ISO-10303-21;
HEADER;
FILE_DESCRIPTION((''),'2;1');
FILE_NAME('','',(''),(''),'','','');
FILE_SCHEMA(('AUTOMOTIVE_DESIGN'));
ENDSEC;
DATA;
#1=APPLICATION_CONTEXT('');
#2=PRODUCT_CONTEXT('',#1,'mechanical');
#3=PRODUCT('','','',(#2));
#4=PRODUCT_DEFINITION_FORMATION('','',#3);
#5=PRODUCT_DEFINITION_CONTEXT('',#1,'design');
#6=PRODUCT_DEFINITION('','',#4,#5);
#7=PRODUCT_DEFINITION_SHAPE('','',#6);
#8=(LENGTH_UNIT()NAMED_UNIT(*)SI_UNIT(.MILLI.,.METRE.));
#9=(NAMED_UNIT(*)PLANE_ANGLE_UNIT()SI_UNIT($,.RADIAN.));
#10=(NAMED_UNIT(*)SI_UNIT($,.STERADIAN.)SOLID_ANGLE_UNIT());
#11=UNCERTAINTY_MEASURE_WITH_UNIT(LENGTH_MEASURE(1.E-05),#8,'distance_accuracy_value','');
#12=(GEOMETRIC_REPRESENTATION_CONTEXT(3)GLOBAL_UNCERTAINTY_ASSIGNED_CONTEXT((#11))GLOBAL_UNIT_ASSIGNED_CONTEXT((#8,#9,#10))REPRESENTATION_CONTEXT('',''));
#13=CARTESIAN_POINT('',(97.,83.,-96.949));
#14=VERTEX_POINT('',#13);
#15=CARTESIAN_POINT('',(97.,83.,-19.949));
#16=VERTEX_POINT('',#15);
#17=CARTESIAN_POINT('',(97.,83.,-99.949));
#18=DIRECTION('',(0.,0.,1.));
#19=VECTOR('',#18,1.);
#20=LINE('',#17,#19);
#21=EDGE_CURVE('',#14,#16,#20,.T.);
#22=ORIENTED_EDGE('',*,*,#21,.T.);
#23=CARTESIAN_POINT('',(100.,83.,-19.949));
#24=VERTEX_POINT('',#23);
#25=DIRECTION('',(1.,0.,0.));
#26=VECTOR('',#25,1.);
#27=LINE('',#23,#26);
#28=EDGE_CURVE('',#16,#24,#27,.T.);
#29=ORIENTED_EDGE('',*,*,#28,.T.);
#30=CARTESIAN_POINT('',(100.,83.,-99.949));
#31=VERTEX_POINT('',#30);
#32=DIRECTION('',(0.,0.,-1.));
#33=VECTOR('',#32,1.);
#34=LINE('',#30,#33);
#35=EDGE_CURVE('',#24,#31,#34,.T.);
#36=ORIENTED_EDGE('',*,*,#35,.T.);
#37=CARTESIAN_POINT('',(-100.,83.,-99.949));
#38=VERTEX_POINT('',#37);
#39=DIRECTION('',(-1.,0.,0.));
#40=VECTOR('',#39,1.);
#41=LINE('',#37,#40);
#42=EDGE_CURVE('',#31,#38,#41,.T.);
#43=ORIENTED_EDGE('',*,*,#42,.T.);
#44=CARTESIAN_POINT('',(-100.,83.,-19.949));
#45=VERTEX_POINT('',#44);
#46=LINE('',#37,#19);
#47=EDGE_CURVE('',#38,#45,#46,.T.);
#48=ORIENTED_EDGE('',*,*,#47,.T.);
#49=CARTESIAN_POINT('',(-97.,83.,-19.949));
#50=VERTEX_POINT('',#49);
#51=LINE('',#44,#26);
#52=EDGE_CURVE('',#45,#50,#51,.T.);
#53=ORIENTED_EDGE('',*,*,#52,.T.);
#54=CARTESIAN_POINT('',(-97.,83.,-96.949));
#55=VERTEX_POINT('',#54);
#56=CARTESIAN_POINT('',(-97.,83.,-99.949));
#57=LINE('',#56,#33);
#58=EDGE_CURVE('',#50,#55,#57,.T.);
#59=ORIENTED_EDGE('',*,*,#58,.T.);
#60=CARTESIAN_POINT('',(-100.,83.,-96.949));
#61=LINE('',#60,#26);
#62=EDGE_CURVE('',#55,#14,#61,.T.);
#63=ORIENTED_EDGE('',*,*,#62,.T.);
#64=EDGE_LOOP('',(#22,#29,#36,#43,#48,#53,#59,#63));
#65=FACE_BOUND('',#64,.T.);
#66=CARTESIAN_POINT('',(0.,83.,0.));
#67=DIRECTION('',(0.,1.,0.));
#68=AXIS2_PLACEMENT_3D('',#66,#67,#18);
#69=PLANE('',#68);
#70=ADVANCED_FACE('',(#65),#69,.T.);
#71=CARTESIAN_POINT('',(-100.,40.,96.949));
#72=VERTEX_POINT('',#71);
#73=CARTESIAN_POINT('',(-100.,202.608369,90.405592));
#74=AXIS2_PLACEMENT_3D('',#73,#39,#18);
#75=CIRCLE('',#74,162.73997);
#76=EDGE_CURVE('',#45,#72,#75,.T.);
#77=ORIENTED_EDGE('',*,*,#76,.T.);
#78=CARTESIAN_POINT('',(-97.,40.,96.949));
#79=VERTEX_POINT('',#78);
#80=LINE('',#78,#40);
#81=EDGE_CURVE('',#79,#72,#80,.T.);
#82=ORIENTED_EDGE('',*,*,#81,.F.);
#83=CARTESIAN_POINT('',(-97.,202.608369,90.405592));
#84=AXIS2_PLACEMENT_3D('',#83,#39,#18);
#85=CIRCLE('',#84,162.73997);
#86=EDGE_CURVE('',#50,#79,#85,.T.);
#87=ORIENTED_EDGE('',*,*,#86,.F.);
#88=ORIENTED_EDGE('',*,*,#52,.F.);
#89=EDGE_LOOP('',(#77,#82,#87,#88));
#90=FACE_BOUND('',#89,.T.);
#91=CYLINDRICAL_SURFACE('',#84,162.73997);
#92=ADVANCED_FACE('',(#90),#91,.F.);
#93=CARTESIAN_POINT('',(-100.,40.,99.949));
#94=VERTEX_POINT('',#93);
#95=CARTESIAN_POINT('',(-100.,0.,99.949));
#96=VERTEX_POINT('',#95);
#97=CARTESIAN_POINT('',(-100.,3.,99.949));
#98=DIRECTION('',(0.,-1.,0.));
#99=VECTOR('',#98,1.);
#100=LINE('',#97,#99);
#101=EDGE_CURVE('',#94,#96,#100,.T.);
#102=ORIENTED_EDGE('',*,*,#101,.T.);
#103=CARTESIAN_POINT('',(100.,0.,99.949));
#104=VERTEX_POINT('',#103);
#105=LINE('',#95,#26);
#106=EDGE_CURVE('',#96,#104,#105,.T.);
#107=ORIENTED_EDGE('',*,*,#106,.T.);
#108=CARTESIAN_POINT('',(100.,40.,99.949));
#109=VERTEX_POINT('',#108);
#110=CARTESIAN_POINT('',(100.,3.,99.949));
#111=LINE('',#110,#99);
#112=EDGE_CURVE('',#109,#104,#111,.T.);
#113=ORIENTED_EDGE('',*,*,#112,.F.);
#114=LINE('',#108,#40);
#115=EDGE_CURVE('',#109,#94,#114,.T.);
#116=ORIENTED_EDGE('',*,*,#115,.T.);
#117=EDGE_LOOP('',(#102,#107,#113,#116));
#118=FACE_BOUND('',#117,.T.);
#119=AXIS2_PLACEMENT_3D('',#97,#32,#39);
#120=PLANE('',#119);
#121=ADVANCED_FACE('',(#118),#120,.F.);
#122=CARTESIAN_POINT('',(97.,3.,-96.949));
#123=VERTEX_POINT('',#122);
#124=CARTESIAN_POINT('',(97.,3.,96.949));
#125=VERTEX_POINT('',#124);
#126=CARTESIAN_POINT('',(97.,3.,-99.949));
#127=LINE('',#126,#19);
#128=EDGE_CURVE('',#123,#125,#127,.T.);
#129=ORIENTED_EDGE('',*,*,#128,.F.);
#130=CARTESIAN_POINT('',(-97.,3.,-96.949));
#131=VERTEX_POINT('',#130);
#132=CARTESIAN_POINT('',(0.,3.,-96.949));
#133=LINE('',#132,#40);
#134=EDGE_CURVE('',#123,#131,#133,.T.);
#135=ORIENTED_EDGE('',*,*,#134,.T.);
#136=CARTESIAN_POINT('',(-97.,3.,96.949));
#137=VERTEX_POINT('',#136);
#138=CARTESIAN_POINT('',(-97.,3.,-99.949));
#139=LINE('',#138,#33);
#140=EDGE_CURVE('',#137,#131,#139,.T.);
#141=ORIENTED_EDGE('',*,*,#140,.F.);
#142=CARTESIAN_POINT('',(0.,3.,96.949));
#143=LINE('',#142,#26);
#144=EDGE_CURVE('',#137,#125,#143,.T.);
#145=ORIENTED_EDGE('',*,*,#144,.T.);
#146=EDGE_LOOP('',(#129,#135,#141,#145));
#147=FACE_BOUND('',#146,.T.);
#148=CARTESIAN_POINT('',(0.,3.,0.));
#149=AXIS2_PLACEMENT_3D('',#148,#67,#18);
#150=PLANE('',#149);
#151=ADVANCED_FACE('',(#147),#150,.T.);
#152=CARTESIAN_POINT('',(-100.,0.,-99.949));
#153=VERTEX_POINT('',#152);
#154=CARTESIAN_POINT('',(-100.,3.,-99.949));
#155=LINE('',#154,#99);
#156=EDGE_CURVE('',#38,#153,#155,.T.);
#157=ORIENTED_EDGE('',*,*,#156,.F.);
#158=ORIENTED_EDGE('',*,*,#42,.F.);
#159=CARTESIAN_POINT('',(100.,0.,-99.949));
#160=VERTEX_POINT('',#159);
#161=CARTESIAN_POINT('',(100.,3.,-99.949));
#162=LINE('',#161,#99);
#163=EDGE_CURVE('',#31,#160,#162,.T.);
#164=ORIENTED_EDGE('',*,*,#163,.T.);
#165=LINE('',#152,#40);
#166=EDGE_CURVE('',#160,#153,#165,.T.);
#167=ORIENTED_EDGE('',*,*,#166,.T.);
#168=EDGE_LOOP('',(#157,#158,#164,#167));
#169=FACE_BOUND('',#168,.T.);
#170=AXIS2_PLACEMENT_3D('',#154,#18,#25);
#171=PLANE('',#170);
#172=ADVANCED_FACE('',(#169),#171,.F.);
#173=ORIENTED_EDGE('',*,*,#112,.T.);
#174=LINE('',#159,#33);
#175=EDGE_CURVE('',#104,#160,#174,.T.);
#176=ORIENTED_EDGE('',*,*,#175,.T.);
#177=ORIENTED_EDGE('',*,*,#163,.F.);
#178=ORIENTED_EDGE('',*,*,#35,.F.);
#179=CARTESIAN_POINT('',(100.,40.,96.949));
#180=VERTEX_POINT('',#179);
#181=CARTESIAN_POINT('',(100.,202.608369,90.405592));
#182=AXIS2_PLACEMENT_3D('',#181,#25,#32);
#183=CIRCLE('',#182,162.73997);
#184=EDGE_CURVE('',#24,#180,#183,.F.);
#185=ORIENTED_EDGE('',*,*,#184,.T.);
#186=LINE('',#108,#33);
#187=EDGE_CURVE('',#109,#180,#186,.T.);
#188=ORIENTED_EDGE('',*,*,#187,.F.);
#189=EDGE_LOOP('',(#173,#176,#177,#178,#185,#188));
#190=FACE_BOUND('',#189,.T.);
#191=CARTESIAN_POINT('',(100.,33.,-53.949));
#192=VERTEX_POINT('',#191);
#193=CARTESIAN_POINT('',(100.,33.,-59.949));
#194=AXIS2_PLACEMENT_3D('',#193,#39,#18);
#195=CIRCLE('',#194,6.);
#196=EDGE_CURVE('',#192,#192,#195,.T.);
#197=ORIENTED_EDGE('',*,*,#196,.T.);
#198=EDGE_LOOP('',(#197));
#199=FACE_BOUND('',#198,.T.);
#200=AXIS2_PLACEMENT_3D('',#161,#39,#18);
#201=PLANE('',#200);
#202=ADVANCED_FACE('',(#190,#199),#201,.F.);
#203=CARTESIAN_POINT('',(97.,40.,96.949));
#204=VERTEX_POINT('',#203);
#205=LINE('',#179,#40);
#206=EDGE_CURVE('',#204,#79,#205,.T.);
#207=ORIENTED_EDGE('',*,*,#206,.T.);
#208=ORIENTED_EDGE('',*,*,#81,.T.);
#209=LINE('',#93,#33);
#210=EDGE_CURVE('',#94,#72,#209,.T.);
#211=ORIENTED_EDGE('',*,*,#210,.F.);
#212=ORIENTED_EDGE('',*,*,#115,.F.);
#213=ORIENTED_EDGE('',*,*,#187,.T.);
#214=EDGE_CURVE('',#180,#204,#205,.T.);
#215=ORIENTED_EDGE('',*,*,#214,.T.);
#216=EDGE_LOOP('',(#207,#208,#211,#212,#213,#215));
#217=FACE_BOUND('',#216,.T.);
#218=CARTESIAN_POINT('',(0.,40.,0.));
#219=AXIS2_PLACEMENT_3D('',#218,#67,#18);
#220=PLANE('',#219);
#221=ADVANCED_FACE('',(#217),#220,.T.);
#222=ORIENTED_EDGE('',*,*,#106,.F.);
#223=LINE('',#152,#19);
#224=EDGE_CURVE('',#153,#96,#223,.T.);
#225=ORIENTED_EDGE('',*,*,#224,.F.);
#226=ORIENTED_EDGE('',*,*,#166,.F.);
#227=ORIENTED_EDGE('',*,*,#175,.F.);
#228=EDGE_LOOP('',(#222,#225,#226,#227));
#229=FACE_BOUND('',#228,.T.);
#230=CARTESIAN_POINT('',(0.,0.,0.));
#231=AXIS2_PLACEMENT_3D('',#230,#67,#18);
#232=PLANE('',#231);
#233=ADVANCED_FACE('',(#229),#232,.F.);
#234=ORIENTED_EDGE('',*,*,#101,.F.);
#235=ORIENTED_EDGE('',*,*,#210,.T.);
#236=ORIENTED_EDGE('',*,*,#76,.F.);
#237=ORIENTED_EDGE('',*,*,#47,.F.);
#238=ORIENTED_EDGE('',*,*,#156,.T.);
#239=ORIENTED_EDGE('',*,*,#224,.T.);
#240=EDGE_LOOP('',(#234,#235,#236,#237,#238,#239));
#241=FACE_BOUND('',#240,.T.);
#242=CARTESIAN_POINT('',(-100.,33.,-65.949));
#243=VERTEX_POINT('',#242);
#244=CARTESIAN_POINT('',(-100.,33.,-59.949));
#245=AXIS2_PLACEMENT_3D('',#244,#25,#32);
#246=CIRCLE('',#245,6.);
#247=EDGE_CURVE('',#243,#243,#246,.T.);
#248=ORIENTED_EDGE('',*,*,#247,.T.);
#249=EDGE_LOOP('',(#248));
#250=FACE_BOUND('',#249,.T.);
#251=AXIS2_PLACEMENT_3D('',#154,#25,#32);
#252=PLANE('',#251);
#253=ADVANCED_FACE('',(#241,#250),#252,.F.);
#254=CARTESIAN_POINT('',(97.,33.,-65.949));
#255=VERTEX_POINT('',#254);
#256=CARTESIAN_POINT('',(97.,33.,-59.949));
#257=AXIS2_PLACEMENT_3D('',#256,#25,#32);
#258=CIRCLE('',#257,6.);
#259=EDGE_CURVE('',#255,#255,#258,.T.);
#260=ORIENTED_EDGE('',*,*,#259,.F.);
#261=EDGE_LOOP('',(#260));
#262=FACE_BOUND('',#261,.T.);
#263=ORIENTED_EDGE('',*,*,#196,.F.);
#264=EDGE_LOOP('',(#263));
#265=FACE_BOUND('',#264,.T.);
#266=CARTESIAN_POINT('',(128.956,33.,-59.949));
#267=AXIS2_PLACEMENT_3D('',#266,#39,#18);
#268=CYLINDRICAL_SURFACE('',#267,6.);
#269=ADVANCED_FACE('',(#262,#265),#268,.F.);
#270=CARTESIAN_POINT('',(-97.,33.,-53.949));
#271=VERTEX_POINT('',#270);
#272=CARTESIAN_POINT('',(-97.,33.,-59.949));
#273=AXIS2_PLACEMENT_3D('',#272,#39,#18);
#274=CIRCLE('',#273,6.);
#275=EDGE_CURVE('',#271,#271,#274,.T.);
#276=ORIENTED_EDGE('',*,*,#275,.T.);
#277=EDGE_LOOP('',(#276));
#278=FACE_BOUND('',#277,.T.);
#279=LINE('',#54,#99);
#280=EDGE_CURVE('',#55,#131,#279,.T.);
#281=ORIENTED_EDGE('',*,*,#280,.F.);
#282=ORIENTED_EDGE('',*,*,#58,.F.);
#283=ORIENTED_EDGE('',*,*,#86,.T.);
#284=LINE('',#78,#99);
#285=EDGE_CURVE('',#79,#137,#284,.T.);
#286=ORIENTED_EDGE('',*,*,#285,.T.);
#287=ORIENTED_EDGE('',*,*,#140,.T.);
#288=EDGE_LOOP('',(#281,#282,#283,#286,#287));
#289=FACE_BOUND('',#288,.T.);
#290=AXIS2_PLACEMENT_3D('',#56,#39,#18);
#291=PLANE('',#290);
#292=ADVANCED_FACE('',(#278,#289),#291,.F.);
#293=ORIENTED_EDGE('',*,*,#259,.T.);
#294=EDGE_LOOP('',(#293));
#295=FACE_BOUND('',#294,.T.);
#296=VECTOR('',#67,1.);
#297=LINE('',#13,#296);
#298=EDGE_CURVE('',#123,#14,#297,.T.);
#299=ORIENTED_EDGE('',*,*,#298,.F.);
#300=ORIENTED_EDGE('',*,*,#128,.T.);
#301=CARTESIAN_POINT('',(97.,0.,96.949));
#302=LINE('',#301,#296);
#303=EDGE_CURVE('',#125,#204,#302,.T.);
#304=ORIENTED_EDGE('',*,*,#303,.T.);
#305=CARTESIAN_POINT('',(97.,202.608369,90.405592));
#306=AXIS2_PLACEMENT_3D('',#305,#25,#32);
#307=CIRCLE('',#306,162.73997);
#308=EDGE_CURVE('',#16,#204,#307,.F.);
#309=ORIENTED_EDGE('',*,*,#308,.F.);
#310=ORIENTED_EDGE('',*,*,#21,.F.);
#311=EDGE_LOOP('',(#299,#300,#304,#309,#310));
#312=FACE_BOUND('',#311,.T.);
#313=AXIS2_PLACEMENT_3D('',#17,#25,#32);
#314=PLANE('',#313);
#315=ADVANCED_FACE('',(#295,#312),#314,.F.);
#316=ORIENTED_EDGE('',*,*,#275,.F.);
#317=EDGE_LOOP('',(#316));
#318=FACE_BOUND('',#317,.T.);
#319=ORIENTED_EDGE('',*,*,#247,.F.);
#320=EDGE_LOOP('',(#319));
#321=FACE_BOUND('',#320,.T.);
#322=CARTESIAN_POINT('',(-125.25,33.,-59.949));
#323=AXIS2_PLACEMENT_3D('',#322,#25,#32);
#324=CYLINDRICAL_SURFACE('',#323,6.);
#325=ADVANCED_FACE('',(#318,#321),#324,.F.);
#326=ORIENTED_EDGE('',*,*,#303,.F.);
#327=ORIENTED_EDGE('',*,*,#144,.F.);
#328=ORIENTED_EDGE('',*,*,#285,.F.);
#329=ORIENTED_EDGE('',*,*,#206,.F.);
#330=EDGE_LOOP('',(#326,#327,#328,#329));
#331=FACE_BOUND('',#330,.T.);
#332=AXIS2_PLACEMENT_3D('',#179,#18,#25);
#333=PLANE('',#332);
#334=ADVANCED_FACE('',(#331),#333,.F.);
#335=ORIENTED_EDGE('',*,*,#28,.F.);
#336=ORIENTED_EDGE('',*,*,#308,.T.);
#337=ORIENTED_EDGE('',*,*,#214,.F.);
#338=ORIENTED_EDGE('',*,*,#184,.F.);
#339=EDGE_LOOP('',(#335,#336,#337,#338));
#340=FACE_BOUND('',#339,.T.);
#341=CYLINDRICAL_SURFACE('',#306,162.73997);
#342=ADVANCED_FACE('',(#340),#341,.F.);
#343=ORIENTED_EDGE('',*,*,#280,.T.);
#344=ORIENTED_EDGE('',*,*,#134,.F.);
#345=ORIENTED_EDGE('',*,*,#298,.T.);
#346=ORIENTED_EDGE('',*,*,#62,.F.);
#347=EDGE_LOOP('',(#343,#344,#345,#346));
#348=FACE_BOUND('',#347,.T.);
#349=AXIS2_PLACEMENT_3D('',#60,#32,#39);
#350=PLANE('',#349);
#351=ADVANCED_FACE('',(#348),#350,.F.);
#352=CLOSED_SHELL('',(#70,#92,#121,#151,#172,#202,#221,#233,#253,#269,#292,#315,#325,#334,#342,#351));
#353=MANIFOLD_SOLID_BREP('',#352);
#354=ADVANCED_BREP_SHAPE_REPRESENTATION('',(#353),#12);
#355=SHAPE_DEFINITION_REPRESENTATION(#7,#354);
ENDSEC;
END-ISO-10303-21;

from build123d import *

# Parameters (mm, degrees)
SKETCH3_W            = 200
SKETCH3_H            = 199.898
BOSS_EXTRUDE2_DEPTH  = 3
SKETCH9_W            = 3
SKETCH9_H            = 80
BOSS_EXTRUDE3_DEPTH  = 80
SKETCH10_W           = 3
SKETCH10_H           = 80
BOSS_EXTRUDE4_DEPTH  = 80
SKETCH11_W           = 200
SKETCH11_H           = 3
BOSS_EXTRUDE6_DEPTH  = 40
SKETCH23_R           = 6
CUT_EXTRUDE5_DEPTH   = 228.956
BOSS_EXTRUDE8_DEPTH  = 3
BOSS_EXTRUDE9_DEPTH  = 3
SKETCH30_R           = 6
CUT_EXTRUDE6_DEPTH   = 225.25
SKETCH32_W           = 200
SKETCH32_H           = 3
BOSS_EXTRUDE12_DEPTH = 83


with BuildPart() as part:
    # Sketch3 → Boss-Extrude2 (new body)
    with BuildSketch(Plane(origin=(0, 0, 0), x_dir=(1, 0, 0), z_dir=(0, 1, 0))):
        Rectangle(SKETCH3_W, SKETCH3_H)
    extrude(amount=BOSS_EXTRUDE2_DEPTH)

    # Sketch9 → Boss-Extrude3 (add)
    with BuildSketch(Plane(origin=(0, 3, 0), x_dir=(1, 0, 0), z_dir=(0, 1, 0))):
        with Locations((-98.5, 59.949)):
            Rectangle(SKETCH9_W, SKETCH9_H)
    extrude(amount=BOSS_EXTRUDE3_DEPTH)

    # Sketch10 → Boss-Extrude4 (add)
    with BuildSketch(Plane(origin=(0, 3, 0), x_dir=(1, 0, 0), z_dir=(0, 1, 0))):
        with Locations((98.5, 59.949)):
            Rectangle(SKETCH10_W, SKETCH10_H)
    extrude(amount=BOSS_EXTRUDE4_DEPTH)

    # Sketch11 → Boss-Extrude6 (add)
    with BuildSketch(Plane(origin=(0, 0, 0), x_dir=(1, 0, 0), z_dir=(0, 1, 0))):
        with Locations((0, -98.449)):
            Rectangle(SKETCH11_W, SKETCH11_H)
    extrude(amount=BOSS_EXTRUDE6_DEPTH)

    # Sketch23 → Cut-Extrude5 (cut)
    with BuildSketch(Plane.ZY.offset(100)):
        with Locations((-59.949, 33)):
            Circle(SKETCH23_R)
    extrude(amount=-CUT_EXTRUDE5_DEPTH, mode=Mode.SUBTRACT)

    # Sketch26 → Boss-Extrude8 (add)
    with BuildSketch(Plane.ZY.offset(100)):
        with BuildLine():
            Line((99.949, 0), (99.949, 40))
            Line((99.949, 40), (96.949, 40))
            ThreePointArc((96.949, 40), (34.223384101, 49.873771039), (-19.949, 83))
            Line((-19.949, 83), (-99.949, 83))
            Line((-99.949, 83), (-99.949, 0))
            Line((-99.949, 0), (99.949, 0))
        make_face()
    extrude(amount=-BOSS_EXTRUDE8_DEPTH)

    # Sketch29 → Boss-Extrude9 (add)
    with BuildSketch(Plane(origin=(100, 0, 0), x_dir=(0, 0, -1), z_dir=(1, 0, 0))):
        with BuildLine():
            ThreePointArc((19.949, 83), (-34.223384101, 49.873771039), (-96.949, 40))
            Line((-96.949, 40), (-96.949, 3))
            Line((-96.949, 3), (19.949, 3))
            Line((19.949, 3), (19.949, 83))
        make_face()
    extrude(amount=-BOSS_EXTRUDE9_DEPTH)

    # Sketch30 → Cut-Extrude6 (cut)
    with BuildSketch(Plane(origin=(100, 0, 0), x_dir=(0, 0, -1), z_dir=(1, 0, 0))):
        with Locations((59.949, 33)):
            Circle(SKETCH30_R)
    extrude(amount=-CUT_EXTRUDE6_DEPTH, mode=Mode.SUBTRACT)

    # Sketch32 → Boss-Extrude12 (add)
    with BuildSketch(Plane(origin=(0, 0, 0), x_dir=(1, 0, 0), z_dir=(0, 1, 0))):
        with Locations((0, 98.449)):
            Rectangle(SKETCH32_W, SKETCH32_H)
    extrude(amount=BOSS_EXTRUDE12_DEPTH)


solid = part.part
